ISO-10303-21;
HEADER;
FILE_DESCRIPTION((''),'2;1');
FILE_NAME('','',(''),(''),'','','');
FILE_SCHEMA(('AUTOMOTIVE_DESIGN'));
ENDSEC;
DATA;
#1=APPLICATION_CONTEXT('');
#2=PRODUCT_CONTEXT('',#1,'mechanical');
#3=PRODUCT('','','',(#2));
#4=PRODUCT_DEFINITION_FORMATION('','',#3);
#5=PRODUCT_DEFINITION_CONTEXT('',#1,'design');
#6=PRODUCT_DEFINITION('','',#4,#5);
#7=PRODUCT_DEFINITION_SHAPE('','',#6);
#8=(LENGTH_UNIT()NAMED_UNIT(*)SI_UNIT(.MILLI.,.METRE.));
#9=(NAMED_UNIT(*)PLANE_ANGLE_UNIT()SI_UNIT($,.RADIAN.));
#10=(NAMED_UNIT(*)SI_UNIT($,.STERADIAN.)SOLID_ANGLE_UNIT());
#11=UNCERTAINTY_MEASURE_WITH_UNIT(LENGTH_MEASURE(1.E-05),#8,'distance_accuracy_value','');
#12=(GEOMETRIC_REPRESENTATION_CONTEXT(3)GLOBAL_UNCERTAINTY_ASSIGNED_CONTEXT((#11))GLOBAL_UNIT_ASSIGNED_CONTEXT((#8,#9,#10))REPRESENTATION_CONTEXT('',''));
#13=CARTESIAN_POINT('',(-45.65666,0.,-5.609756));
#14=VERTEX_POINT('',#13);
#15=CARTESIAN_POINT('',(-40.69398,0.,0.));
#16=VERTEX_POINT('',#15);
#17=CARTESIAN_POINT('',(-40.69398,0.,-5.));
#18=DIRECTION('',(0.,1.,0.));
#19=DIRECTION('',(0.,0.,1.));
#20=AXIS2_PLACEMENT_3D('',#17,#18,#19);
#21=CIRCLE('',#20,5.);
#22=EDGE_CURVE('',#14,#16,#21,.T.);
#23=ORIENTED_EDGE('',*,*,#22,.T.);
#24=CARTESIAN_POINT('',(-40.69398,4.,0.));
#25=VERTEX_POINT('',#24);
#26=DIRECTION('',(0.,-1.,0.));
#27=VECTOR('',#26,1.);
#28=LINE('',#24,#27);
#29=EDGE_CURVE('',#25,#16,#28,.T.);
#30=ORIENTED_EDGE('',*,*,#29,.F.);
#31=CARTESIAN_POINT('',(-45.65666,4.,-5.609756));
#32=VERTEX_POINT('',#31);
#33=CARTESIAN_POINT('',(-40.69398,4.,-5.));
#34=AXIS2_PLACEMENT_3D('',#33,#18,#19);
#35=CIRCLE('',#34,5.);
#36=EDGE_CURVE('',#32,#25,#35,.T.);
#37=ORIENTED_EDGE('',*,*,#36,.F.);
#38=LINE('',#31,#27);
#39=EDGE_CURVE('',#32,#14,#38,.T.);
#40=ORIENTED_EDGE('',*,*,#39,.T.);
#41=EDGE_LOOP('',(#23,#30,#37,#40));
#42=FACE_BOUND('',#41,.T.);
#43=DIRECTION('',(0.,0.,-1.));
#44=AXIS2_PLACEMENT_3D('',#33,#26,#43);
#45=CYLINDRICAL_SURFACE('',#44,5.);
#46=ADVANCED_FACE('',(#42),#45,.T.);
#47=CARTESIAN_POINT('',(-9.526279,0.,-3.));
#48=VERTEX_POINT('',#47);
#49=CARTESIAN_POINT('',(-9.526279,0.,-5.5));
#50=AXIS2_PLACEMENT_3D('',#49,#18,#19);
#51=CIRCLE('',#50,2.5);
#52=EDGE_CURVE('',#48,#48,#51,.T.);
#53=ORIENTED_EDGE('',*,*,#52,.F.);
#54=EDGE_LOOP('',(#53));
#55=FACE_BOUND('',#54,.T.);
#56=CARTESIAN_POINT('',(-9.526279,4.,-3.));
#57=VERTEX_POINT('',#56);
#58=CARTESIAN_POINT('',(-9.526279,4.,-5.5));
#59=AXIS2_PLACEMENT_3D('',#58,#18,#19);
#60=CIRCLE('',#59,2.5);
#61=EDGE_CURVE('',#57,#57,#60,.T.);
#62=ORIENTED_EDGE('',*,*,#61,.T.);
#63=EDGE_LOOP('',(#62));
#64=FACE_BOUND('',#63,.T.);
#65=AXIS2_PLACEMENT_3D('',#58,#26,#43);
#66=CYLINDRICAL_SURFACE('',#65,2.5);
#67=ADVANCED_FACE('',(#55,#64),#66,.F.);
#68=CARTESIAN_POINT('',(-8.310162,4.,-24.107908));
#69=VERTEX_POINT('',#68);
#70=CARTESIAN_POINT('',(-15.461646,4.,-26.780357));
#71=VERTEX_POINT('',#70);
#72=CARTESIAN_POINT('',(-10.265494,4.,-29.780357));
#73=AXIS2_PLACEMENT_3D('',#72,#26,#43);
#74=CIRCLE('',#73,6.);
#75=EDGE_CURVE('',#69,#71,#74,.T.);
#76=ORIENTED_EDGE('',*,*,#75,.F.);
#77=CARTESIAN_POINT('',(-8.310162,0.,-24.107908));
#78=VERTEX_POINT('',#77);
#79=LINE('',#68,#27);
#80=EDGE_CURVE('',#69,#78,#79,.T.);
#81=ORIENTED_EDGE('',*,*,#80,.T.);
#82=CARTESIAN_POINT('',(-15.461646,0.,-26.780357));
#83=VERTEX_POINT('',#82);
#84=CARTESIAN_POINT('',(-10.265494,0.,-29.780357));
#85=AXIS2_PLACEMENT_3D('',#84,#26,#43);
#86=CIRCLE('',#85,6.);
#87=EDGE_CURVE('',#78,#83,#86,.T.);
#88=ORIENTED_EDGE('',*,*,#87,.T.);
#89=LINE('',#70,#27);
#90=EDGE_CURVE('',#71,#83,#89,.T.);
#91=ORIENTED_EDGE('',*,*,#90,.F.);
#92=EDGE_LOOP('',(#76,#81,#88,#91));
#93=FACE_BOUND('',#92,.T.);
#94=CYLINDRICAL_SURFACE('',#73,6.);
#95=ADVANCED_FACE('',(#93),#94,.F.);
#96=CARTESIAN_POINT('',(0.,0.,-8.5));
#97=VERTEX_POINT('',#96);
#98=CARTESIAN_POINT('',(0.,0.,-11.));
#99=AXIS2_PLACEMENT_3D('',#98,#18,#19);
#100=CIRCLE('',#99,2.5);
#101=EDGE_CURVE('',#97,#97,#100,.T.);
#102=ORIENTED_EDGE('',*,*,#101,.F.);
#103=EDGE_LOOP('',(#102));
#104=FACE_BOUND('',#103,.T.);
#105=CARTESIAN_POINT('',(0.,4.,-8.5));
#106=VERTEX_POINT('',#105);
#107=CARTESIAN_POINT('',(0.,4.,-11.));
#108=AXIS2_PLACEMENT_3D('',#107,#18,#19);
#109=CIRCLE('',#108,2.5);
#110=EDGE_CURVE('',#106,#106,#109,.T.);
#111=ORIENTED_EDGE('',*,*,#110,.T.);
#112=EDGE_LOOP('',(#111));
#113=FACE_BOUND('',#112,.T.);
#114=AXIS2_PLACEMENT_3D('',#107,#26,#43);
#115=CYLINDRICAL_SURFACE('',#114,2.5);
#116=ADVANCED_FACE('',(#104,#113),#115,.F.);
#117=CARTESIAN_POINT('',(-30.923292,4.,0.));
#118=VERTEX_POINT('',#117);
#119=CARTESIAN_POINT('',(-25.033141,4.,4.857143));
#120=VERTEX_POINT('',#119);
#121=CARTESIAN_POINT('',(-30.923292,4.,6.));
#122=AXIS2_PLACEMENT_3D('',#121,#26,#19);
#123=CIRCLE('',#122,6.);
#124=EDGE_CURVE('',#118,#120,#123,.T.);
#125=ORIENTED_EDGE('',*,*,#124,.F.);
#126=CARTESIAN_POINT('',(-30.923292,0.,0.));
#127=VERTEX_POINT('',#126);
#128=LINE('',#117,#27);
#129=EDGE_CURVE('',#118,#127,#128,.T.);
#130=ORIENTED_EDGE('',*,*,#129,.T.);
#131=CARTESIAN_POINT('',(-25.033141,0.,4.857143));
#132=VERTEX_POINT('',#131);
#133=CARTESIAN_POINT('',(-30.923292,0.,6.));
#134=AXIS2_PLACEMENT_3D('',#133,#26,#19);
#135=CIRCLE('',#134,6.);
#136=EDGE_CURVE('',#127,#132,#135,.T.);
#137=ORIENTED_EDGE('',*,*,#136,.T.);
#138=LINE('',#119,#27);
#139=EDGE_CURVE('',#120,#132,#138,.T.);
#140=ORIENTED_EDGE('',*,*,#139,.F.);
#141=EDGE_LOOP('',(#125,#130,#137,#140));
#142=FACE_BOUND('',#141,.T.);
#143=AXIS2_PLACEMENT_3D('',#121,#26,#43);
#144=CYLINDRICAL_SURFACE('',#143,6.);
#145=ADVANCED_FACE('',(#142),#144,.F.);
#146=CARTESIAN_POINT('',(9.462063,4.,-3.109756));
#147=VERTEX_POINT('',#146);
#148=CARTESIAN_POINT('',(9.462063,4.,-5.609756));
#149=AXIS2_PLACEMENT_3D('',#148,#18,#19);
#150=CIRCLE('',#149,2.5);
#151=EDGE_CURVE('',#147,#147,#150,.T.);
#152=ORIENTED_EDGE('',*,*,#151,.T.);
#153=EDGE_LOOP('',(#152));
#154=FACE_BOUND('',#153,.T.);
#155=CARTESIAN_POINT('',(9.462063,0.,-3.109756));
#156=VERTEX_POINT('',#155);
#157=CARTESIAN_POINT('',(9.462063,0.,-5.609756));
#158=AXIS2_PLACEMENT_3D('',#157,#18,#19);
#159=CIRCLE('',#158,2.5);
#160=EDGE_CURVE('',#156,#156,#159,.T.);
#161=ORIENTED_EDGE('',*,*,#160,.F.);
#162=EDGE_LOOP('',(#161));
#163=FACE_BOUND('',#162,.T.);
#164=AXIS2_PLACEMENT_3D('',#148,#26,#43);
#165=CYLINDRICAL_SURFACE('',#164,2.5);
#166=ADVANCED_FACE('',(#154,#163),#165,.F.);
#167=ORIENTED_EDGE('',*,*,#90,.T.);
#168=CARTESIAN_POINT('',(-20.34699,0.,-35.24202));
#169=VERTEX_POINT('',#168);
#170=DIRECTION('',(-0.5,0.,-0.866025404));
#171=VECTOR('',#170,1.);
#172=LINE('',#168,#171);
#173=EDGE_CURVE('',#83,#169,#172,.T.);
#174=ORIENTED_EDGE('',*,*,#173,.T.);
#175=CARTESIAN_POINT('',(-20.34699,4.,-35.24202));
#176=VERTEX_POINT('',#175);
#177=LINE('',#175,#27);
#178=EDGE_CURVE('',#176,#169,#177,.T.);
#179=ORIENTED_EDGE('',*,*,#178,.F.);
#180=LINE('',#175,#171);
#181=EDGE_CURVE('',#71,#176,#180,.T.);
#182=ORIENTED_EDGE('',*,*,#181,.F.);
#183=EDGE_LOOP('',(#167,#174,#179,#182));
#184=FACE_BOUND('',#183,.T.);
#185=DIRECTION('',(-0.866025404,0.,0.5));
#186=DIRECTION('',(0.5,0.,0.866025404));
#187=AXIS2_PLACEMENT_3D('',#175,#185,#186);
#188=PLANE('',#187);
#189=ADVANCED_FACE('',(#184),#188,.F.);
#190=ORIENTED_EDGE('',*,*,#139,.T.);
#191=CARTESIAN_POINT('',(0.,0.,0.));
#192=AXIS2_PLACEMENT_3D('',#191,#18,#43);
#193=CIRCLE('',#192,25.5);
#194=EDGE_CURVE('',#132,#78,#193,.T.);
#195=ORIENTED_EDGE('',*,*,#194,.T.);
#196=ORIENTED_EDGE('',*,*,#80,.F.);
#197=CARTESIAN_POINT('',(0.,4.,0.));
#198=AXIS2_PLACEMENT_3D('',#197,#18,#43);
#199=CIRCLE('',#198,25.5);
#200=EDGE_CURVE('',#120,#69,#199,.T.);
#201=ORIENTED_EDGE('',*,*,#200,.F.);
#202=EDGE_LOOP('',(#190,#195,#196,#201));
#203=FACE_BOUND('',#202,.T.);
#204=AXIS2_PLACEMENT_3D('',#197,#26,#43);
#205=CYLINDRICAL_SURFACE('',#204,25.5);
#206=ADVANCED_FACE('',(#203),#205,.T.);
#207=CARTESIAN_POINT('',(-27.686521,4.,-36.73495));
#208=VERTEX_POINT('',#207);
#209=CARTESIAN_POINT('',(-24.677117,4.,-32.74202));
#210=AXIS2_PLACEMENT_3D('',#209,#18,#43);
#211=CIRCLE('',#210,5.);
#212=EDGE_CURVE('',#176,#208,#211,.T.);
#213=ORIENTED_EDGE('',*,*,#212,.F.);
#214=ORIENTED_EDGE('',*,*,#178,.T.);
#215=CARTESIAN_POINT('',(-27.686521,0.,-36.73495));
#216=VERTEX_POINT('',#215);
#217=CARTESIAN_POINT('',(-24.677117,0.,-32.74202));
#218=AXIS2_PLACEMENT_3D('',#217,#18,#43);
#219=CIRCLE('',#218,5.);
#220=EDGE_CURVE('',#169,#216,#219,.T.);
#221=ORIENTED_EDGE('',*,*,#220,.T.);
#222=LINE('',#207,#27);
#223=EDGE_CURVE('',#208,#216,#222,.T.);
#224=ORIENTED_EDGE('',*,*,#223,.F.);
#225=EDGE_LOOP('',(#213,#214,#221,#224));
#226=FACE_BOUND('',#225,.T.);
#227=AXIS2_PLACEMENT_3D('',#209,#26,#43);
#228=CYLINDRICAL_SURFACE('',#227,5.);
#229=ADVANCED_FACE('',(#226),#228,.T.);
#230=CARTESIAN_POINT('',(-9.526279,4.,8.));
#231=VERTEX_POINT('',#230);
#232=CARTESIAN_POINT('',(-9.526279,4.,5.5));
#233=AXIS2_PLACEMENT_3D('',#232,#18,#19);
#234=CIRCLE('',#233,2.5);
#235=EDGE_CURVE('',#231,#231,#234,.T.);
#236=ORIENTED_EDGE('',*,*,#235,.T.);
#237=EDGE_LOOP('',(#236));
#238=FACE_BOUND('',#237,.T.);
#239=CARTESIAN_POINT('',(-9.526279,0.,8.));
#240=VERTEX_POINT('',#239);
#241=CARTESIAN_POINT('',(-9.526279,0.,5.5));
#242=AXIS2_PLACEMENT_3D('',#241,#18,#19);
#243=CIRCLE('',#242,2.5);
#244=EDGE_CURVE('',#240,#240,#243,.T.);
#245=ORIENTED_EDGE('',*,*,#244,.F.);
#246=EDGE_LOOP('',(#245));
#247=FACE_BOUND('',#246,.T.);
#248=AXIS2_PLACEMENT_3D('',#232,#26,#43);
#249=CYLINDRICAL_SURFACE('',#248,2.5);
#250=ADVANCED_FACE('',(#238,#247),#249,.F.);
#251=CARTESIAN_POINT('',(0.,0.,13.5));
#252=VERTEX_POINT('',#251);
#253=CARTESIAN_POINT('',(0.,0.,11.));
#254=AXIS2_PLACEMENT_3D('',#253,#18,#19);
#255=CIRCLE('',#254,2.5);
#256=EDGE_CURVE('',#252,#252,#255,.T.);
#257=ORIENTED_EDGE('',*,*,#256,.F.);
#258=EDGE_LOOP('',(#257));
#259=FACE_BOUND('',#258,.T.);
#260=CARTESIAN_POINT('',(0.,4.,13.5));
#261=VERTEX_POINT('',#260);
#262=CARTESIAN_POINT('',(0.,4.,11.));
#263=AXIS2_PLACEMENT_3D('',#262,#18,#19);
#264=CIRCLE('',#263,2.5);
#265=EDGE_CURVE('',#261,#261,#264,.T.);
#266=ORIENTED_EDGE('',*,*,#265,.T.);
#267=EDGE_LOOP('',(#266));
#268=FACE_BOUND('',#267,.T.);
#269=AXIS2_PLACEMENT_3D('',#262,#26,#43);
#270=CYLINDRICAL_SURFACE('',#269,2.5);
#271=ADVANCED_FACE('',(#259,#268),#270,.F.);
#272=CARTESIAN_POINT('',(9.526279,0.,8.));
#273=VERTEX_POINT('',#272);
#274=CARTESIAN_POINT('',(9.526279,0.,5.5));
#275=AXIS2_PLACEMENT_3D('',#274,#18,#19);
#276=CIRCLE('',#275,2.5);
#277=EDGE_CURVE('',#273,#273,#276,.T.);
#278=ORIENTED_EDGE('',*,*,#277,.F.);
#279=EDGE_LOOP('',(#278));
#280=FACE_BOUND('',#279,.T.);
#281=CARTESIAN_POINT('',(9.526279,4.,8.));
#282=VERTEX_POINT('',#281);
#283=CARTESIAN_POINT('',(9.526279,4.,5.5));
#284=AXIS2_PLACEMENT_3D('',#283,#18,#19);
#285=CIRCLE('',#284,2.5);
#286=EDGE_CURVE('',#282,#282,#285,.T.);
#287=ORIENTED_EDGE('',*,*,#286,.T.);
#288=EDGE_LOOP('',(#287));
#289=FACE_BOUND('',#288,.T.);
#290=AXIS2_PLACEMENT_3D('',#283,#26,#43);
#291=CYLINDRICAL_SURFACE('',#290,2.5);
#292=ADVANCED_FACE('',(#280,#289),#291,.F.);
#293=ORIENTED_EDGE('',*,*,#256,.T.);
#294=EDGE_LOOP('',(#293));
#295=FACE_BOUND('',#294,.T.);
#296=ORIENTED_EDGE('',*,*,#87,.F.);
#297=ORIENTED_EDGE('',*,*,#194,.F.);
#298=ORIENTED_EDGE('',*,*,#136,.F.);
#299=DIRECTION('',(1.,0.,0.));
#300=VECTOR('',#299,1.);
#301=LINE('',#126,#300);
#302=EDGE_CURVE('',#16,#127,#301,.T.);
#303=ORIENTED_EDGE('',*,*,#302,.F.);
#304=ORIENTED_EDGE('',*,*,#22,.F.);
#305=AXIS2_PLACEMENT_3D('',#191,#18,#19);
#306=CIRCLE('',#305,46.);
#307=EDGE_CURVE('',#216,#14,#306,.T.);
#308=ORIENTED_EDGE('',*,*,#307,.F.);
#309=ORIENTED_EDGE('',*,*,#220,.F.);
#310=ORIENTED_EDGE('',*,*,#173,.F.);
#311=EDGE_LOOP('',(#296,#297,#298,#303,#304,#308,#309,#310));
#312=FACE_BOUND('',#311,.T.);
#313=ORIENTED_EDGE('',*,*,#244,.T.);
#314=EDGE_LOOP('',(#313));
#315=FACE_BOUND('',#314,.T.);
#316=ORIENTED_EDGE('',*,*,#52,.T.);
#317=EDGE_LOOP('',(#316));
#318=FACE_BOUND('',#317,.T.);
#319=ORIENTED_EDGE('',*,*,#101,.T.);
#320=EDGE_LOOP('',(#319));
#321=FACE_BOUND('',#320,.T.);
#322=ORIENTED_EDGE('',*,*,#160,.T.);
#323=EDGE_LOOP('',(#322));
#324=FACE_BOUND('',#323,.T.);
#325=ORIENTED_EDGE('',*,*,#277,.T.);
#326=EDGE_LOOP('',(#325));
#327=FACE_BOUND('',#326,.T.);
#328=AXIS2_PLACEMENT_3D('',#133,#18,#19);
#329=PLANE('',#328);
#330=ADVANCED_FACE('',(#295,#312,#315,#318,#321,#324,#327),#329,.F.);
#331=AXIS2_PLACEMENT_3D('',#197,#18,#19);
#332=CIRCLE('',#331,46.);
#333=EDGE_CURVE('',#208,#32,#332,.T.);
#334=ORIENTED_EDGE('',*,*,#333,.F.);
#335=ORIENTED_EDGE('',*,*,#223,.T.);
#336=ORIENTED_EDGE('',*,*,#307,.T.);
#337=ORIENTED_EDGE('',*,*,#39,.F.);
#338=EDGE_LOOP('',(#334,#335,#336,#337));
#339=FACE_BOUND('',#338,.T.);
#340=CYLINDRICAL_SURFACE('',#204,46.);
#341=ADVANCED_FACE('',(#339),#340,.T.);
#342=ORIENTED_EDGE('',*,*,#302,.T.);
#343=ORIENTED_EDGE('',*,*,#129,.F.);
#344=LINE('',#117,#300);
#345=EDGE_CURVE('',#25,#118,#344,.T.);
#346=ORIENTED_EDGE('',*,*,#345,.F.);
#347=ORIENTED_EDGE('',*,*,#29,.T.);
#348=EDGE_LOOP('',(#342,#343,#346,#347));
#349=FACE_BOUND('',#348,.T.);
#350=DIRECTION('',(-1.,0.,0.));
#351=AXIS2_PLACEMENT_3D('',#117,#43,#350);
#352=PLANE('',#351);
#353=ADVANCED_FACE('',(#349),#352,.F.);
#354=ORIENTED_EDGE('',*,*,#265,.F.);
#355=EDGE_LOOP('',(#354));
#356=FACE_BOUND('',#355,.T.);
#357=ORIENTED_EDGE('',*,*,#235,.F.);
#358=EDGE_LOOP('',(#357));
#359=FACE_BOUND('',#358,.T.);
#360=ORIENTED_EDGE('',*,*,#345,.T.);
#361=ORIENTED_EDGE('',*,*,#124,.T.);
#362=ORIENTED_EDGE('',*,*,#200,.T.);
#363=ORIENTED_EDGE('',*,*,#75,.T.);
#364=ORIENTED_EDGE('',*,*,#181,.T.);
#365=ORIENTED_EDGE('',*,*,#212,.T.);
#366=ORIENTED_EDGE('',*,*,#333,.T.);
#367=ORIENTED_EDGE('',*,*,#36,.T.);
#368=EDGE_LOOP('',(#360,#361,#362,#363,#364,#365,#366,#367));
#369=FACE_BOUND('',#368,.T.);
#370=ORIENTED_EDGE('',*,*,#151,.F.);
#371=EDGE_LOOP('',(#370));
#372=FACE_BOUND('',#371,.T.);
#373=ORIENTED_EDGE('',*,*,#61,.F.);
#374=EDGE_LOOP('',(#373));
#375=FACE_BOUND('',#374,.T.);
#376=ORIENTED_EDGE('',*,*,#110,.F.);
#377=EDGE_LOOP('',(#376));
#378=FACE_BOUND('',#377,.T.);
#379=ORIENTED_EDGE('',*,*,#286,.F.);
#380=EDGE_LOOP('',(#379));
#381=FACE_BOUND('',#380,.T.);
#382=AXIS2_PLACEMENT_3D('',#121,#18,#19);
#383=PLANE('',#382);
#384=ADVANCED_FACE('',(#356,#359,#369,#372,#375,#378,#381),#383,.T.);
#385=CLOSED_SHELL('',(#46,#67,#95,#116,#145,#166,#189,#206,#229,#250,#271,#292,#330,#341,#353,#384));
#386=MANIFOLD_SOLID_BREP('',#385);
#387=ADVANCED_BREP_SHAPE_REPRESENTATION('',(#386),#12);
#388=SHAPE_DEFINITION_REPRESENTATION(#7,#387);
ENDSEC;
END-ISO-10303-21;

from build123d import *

# Parameters (mm, degrees)
SKETCH_1_R      = 2.5
EXTRUDE_1_DEPTH = 4


with BuildPart() as part:
    # 草图1 → 凸台-拉伸1 (new body)
    with BuildSketch(Plane(origin=(0, 0, 0), x_dir=(1, 0, 0), z_dir=(0, 1, 0))):
        with BuildLine():
            Line((-20.346989949, 35.242020373), (-15.461646096, 26.780356607))
            ThreePointArc((-15.461646096, 26.780356607), (-12.365785271, 24.159967367), (-8.310161545, 24.10790773))
            ThreePointArc((-8.310161545, 24.10790773), (22.083647797, -12.75), (-25.033141298, -4.857142857))
            ThreePointArc((-25.033141298, -4.857142857), (-27.10603813, -1.370899501), (-30.923292192, 0))
            Line((-30.923292192, 0), (-40.693979899, 0))
            ThreePointArc((-40.693979899, 0), (-44.438895151, 1.687054218), (-45.656660374, 5.609756098))
            ThreePointArc((-45.656660374, 5.609756098), (-39.837168574, 23), (-27.686521477, 36.734949687))
            ThreePointArc((-27.686521477, 36.734949687), (-23.680479385, 37.641685008), (-20.346989949, 35.242020373))
        make_face()
        with Locations(Location((0, 11, 0), (0, 0, 270))):
            Circle(SKETCH_1_R, mode=Mode.SUBTRACT)
        with Locations(Location((9.462063016, 5.609756098, 0), (0, 0, 270))):
            Circle(SKETCH_1_R, mode=Mode.SUBTRACT)
        with Locations(Location((9.526279442, -5.5, 0), (0, 0, 270))):
            Circle(SKETCH_1_R, mode=Mode.SUBTRACT)
        with Locations(Location((0, -11, 0), (0, 0, 270))):
            Circle(SKETCH_1_R, mode=Mode.SUBTRACT)
        with Locations(Location((-9.526279442, -5.5, 0), (0, 0, 270))):
            Circle(SKETCH_1_R, mode=Mode.SUBTRACT)
        with Locations(Location((-9.526279442, 5.5, 0), (0, 0, 270))):
            Circle(SKETCH_1_R, mode=Mode.SUBTRACT)
    extrude(amount=EXTRUDE_1_DEPTH)


solid = part.part
